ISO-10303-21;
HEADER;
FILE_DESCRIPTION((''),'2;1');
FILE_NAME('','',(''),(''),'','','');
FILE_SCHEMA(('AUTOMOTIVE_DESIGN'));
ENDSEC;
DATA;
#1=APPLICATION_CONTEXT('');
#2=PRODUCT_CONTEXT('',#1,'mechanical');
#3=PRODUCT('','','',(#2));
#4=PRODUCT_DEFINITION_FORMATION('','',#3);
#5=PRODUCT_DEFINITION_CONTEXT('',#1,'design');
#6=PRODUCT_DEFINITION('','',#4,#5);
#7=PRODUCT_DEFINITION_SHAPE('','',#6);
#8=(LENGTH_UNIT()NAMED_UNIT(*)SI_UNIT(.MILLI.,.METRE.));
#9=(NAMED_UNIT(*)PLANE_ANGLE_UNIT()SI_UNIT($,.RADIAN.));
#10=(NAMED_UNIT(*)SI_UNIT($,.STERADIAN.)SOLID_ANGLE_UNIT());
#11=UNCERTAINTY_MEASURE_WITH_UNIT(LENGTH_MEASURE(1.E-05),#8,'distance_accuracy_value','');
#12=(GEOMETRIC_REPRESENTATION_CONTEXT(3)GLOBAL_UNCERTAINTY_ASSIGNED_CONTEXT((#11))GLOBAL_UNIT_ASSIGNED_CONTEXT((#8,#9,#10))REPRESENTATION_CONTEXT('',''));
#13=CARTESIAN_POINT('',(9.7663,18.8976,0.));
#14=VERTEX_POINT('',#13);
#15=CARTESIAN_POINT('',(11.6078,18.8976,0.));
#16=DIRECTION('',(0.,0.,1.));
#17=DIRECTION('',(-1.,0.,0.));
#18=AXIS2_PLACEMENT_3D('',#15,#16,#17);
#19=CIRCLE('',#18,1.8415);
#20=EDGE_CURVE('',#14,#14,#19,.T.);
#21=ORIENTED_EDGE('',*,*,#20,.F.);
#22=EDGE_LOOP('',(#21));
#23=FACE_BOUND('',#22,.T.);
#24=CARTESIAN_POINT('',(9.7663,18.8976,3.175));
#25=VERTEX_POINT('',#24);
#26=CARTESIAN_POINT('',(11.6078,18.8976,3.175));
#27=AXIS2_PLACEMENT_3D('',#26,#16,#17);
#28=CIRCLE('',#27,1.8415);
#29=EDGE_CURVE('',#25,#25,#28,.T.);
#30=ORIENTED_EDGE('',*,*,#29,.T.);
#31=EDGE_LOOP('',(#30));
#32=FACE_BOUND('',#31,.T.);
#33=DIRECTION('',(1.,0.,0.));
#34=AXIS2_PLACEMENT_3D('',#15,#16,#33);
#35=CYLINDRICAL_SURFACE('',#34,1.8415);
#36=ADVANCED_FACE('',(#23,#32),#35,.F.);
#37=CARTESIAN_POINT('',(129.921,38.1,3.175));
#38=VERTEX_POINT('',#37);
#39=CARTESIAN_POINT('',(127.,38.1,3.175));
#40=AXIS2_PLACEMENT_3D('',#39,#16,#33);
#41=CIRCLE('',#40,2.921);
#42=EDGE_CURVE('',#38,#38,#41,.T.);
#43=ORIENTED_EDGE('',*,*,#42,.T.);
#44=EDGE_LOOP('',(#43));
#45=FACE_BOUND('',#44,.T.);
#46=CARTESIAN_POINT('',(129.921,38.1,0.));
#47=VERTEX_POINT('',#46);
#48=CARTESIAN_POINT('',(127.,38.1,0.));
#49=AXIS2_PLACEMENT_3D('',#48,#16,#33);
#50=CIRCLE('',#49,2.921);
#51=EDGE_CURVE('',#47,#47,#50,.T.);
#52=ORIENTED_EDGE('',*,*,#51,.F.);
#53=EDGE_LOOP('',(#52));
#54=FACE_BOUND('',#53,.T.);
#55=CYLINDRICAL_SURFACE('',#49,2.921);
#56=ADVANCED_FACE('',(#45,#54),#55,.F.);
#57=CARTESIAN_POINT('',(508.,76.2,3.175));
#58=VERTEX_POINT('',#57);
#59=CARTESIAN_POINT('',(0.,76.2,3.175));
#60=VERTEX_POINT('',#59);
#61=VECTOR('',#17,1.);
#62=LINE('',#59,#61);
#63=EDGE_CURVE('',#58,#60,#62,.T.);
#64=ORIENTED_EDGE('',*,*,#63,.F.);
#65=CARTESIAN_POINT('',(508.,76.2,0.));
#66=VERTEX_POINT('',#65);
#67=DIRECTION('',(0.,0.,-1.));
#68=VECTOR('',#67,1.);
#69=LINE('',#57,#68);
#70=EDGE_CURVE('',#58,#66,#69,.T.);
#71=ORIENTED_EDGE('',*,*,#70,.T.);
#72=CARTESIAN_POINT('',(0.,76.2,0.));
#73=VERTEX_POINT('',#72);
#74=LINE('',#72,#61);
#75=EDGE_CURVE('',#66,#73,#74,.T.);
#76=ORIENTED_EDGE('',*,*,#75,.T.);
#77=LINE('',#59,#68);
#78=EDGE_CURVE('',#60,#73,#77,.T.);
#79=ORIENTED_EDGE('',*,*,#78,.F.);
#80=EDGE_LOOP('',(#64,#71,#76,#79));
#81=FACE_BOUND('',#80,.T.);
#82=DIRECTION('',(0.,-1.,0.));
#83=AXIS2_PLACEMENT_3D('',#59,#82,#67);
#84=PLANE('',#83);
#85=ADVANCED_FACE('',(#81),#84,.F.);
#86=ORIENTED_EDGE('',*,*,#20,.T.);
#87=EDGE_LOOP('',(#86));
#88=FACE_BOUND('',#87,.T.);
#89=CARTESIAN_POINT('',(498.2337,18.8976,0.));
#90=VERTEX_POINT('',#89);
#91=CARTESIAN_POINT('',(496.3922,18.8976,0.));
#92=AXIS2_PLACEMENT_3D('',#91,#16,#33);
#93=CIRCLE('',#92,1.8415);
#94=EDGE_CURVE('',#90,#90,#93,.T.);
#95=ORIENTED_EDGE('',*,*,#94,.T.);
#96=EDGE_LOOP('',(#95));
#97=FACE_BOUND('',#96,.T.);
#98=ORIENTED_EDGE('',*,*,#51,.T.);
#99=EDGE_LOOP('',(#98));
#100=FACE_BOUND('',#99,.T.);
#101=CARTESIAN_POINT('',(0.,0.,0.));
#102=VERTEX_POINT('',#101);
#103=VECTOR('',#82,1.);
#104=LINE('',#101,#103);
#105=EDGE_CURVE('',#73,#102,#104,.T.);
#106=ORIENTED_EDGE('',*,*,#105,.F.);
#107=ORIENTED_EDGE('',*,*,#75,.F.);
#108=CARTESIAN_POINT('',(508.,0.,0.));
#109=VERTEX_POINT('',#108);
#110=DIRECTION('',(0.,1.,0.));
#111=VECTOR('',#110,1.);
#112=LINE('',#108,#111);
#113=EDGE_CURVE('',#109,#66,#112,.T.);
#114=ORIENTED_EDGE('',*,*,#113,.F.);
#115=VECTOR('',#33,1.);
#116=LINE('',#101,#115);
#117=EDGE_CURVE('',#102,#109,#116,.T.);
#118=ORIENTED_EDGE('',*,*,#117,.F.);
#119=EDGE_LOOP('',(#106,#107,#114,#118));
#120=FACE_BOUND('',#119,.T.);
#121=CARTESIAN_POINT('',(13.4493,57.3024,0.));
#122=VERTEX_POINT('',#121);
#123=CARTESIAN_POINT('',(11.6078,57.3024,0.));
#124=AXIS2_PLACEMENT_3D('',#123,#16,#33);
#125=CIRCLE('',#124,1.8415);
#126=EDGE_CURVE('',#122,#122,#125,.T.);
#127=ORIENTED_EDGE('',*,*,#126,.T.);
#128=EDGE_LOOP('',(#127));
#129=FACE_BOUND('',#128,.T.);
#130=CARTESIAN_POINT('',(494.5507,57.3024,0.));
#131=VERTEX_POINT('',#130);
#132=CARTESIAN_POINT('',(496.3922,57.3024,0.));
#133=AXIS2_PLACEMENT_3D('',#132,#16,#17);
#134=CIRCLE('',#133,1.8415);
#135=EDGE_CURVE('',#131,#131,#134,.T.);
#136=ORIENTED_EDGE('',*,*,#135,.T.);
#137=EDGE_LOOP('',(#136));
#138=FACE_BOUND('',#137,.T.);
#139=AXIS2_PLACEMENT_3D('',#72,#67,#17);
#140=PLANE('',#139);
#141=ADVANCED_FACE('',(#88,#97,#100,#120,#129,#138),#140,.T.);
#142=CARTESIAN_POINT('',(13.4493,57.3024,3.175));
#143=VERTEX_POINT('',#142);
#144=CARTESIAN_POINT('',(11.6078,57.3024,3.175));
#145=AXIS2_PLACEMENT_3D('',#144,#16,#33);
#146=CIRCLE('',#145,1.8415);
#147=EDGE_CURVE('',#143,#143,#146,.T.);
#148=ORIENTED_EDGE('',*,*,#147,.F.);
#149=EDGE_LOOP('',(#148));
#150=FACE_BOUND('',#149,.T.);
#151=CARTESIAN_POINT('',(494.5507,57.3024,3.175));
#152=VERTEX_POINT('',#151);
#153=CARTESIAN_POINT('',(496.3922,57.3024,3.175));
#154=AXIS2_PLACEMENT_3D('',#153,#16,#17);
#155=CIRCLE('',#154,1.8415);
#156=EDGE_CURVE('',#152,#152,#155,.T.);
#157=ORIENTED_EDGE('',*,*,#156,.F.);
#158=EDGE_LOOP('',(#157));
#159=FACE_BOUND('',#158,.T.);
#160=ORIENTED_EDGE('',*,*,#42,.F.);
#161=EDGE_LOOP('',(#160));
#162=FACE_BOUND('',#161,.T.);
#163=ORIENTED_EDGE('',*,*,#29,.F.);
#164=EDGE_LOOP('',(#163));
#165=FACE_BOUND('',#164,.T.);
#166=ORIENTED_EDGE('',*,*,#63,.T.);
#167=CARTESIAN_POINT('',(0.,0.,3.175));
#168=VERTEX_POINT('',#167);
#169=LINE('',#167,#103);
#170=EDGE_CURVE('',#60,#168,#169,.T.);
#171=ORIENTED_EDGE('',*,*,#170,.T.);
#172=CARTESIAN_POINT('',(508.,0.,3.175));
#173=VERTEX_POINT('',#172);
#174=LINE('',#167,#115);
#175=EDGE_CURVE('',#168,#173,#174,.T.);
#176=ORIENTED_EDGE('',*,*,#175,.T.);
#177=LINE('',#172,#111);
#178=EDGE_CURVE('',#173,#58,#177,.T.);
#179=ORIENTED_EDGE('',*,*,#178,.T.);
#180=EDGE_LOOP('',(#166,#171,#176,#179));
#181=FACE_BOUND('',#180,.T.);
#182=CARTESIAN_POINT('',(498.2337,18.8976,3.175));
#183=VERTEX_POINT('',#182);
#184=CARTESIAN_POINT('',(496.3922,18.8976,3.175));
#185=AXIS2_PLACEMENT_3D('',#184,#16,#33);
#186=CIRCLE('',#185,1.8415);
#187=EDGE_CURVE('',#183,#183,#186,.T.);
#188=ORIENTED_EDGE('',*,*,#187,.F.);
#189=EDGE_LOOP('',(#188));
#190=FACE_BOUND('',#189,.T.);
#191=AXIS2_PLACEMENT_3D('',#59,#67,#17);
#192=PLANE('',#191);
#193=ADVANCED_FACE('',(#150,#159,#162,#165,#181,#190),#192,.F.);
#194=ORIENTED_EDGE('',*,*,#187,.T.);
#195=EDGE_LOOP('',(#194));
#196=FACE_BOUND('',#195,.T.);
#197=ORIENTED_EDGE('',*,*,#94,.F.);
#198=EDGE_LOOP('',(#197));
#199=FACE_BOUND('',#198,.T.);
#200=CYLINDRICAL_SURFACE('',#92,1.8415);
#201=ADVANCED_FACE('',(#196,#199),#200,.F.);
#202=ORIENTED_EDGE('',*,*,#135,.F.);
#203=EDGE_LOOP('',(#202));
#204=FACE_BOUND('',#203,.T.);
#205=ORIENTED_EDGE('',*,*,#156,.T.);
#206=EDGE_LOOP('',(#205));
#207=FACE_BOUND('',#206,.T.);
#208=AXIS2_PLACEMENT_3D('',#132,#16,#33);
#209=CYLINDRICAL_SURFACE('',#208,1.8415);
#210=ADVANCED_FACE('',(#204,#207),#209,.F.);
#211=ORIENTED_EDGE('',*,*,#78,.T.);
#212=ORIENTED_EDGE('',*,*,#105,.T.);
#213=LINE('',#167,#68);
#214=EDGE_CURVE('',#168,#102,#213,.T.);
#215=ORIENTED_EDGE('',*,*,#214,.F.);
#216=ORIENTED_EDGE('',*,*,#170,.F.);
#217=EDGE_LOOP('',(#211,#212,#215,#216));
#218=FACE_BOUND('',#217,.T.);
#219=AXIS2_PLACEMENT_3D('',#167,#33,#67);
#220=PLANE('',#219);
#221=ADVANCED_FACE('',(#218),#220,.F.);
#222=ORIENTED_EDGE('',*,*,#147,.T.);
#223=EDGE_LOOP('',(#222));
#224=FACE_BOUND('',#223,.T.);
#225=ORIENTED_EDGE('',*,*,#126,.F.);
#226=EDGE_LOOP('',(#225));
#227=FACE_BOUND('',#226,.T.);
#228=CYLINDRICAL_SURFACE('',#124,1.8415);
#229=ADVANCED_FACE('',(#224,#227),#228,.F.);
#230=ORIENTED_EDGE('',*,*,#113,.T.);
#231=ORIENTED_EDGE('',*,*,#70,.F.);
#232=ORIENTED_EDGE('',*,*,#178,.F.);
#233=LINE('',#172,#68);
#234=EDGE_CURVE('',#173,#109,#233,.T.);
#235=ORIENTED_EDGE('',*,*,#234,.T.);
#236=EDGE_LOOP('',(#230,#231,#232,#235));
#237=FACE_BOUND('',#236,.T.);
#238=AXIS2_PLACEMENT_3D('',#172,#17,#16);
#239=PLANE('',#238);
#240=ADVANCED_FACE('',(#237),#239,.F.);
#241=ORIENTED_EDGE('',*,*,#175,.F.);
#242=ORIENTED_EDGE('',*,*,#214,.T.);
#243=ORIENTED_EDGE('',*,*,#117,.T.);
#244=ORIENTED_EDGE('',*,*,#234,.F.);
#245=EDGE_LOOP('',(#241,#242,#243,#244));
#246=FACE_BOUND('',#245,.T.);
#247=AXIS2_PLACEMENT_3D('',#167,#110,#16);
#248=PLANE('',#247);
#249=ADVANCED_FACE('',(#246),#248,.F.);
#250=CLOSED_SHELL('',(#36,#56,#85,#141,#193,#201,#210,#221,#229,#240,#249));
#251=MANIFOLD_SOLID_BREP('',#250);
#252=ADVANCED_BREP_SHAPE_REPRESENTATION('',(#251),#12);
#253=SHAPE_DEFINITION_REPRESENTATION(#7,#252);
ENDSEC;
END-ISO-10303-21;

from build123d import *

# Parameters (mm, degrees)
SKETCH1_W            = 508
SKETCH1_H            = 76.2
BASIC_PLANK_DEPTH    = 3.175
SKETCH4_R            = 2.921
THROUGH_TRIPOD_DEPTH = 4.175
SKETCH5_R            = 1.8415
BRACKET_HOLES_DEPTH  = 4.175


with BuildPart() as part:
    # Sketch1 → basic_plank (new body)
    with BuildSketch(Plane.XY):
        with Locations((254, 38.1)):
            Rectangle(SKETCH1_W, SKETCH1_H)
    extrude(amount=BASIC_PLANK_DEPTH)

    # Sketch4 → through_tripod (cut, through all)
    with BuildSketch(Plane.XY.offset(3.175)):
        with Locations((127, 38.1)):
            Circle(SKETCH4_R)
    extrude(amount=-THROUGH_TRIPOD_DEPTH, mode=Mode.SUBTRACT)

    # Sketch5 → bracket holes (cut, through all)
    with BuildSketch(Plane.XY.offset(3.175)):
        with Locations((11.6078, 57.3024)):
            Circle(SKETCH5_R)
        with Locations((11.6078, 18.8976)):
            Circle(SKETCH5_R)
        with Locations((496.3922, 18.8976)):
            Circle(SKETCH5_R)
        with Locations((496.3922, 57.3024)):
            Circle(SKETCH5_R)
    extrude(amount=-BRACKET_HOLES_DEPTH, mode=Mode.SUBTRACT)


solid = part.part
